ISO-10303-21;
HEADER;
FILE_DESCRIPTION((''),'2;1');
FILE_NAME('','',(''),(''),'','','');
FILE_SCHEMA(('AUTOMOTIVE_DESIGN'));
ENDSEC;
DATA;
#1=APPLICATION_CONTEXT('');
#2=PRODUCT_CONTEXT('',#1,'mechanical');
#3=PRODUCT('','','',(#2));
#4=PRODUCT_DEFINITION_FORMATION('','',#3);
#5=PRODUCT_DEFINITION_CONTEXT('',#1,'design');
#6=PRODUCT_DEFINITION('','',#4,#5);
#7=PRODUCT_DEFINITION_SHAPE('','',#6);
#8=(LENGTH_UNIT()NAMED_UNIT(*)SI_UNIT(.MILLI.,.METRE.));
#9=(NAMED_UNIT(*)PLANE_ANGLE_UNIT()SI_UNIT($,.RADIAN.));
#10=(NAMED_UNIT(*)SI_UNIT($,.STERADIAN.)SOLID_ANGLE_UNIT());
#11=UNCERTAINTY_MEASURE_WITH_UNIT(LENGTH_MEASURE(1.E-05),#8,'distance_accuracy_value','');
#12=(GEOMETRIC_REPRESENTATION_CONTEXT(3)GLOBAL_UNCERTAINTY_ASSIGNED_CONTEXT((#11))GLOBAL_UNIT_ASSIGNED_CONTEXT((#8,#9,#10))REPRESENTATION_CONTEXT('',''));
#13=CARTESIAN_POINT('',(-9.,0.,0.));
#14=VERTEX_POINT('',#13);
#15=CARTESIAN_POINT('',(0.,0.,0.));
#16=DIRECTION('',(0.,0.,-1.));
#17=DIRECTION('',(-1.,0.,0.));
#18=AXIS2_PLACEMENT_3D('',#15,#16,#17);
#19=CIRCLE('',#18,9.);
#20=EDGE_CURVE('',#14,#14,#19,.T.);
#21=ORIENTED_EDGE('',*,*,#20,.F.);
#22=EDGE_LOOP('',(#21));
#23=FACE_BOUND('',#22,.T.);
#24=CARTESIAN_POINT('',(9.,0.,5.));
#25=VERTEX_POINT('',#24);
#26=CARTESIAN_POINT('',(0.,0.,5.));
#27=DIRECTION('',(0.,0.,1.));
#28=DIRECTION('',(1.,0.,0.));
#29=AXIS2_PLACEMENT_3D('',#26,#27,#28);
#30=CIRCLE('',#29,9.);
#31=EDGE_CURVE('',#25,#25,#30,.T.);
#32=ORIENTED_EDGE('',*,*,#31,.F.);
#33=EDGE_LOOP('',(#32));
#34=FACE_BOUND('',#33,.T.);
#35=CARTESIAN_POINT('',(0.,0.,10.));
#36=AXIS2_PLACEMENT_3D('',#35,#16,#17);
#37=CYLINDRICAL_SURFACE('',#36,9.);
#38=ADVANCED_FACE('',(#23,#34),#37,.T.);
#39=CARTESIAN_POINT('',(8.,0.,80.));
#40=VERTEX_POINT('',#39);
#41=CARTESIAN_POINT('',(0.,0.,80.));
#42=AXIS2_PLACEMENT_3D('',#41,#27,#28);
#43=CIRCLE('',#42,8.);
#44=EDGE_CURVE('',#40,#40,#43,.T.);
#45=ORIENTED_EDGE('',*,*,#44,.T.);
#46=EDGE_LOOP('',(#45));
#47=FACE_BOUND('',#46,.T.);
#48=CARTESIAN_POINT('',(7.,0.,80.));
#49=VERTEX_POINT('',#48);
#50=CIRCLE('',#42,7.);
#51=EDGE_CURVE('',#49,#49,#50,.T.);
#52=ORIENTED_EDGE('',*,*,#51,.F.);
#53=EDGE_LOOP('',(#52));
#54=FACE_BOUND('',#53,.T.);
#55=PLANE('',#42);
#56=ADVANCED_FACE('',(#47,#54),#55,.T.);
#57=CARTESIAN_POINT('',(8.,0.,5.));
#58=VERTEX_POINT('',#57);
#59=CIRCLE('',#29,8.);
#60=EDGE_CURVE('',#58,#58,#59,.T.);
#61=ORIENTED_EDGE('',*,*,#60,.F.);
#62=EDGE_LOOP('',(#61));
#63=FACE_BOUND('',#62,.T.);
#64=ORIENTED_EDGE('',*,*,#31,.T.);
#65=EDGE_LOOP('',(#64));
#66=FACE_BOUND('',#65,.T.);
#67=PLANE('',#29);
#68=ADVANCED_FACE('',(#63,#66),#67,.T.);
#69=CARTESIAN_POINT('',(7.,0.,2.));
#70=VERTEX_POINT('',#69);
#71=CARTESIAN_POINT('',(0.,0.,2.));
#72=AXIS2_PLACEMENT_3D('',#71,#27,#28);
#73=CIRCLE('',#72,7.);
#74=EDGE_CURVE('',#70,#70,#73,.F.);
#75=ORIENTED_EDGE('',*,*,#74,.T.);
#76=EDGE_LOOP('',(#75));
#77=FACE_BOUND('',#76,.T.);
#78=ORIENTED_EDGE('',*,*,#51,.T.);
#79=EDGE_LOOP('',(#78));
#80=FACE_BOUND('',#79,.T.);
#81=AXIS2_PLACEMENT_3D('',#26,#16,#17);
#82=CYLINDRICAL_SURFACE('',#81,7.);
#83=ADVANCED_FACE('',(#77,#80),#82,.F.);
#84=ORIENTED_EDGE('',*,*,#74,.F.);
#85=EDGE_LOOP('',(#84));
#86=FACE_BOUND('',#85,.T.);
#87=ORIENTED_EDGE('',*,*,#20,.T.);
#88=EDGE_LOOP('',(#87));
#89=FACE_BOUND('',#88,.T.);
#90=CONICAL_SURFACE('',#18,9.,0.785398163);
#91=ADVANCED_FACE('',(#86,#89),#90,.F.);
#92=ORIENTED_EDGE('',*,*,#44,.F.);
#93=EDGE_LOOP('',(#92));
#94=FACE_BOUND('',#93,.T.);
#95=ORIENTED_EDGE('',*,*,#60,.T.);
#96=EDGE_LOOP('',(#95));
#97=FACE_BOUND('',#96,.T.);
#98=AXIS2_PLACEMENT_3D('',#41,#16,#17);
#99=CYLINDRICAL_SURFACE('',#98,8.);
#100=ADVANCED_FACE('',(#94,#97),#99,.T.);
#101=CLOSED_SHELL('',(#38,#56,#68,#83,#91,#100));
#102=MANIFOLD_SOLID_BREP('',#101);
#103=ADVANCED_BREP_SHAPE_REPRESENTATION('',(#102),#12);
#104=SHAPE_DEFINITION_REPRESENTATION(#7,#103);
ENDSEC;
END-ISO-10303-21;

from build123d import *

# Parameters (mm, degrees)
SCHIZZO1_R                   = 9.75
SCHIZZO1_R_2                 = 7
ESTRUSIONE_ESTRUSIONE1_DEPTH = 5
SCHIZZO3_R                   = 8
SCHIZZO3_R_2                 = 7
ESTRUSIONE_ESTRUSIONE2_DEPTH = 75
SMUSSO1_SIZE                 = 2
SCHIZZO4_R                   = 9.75
SCHIZZO4_R_2                 = 9
TAGLIO_ESTRUSIONE1_DEPTH     = 10


with BuildPart() as part:
    # Schizzo1 → Estrusione-Estrusione1 (new body)
    with BuildSketch(Plane.XY):
        Circle(SCHIZZO1_R)
        Circle(SCHIZZO1_R_2, mode=Mode.SUBTRACT)
    extrude(amount=ESTRUSIONE_ESTRUSIONE1_DEPTH)

    # Schizzo3 → Estrusione-Estrusione2 (add)
    with BuildSketch(Plane.XY.offset(5)):
        Circle(SCHIZZO3_R)
        Circle(SCHIZZO3_R_2, mode=Mode.SUBTRACT)
    extrude(amount=ESTRUSIONE_ESTRUSIONE2_DEPTH)

    # Smusso1
    smusso1_edges = [part.edges().sort_by_distance(p)[0] for p in [
        (-7, 0, 0),
    ]]
    chamfer(smusso1_edges, length=SMUSSO1_SIZE)

    # Schizzo4 → Taglio-Estrusione1 (cut)
    with BuildSketch(Plane(origin=(0, 0, 0), x_dir=(-1, 0, 0), z_dir=(0, 0, -1))):
        Circle(SCHIZZO4_R)
        Circle(SCHIZZO4_R_2, mode=Mode.SUBTRACT)
    extrude(amount=-TAGLIO_ESTRUSIONE1_DEPTH, mode=Mode.SUBTRACT)


solid = part.part
